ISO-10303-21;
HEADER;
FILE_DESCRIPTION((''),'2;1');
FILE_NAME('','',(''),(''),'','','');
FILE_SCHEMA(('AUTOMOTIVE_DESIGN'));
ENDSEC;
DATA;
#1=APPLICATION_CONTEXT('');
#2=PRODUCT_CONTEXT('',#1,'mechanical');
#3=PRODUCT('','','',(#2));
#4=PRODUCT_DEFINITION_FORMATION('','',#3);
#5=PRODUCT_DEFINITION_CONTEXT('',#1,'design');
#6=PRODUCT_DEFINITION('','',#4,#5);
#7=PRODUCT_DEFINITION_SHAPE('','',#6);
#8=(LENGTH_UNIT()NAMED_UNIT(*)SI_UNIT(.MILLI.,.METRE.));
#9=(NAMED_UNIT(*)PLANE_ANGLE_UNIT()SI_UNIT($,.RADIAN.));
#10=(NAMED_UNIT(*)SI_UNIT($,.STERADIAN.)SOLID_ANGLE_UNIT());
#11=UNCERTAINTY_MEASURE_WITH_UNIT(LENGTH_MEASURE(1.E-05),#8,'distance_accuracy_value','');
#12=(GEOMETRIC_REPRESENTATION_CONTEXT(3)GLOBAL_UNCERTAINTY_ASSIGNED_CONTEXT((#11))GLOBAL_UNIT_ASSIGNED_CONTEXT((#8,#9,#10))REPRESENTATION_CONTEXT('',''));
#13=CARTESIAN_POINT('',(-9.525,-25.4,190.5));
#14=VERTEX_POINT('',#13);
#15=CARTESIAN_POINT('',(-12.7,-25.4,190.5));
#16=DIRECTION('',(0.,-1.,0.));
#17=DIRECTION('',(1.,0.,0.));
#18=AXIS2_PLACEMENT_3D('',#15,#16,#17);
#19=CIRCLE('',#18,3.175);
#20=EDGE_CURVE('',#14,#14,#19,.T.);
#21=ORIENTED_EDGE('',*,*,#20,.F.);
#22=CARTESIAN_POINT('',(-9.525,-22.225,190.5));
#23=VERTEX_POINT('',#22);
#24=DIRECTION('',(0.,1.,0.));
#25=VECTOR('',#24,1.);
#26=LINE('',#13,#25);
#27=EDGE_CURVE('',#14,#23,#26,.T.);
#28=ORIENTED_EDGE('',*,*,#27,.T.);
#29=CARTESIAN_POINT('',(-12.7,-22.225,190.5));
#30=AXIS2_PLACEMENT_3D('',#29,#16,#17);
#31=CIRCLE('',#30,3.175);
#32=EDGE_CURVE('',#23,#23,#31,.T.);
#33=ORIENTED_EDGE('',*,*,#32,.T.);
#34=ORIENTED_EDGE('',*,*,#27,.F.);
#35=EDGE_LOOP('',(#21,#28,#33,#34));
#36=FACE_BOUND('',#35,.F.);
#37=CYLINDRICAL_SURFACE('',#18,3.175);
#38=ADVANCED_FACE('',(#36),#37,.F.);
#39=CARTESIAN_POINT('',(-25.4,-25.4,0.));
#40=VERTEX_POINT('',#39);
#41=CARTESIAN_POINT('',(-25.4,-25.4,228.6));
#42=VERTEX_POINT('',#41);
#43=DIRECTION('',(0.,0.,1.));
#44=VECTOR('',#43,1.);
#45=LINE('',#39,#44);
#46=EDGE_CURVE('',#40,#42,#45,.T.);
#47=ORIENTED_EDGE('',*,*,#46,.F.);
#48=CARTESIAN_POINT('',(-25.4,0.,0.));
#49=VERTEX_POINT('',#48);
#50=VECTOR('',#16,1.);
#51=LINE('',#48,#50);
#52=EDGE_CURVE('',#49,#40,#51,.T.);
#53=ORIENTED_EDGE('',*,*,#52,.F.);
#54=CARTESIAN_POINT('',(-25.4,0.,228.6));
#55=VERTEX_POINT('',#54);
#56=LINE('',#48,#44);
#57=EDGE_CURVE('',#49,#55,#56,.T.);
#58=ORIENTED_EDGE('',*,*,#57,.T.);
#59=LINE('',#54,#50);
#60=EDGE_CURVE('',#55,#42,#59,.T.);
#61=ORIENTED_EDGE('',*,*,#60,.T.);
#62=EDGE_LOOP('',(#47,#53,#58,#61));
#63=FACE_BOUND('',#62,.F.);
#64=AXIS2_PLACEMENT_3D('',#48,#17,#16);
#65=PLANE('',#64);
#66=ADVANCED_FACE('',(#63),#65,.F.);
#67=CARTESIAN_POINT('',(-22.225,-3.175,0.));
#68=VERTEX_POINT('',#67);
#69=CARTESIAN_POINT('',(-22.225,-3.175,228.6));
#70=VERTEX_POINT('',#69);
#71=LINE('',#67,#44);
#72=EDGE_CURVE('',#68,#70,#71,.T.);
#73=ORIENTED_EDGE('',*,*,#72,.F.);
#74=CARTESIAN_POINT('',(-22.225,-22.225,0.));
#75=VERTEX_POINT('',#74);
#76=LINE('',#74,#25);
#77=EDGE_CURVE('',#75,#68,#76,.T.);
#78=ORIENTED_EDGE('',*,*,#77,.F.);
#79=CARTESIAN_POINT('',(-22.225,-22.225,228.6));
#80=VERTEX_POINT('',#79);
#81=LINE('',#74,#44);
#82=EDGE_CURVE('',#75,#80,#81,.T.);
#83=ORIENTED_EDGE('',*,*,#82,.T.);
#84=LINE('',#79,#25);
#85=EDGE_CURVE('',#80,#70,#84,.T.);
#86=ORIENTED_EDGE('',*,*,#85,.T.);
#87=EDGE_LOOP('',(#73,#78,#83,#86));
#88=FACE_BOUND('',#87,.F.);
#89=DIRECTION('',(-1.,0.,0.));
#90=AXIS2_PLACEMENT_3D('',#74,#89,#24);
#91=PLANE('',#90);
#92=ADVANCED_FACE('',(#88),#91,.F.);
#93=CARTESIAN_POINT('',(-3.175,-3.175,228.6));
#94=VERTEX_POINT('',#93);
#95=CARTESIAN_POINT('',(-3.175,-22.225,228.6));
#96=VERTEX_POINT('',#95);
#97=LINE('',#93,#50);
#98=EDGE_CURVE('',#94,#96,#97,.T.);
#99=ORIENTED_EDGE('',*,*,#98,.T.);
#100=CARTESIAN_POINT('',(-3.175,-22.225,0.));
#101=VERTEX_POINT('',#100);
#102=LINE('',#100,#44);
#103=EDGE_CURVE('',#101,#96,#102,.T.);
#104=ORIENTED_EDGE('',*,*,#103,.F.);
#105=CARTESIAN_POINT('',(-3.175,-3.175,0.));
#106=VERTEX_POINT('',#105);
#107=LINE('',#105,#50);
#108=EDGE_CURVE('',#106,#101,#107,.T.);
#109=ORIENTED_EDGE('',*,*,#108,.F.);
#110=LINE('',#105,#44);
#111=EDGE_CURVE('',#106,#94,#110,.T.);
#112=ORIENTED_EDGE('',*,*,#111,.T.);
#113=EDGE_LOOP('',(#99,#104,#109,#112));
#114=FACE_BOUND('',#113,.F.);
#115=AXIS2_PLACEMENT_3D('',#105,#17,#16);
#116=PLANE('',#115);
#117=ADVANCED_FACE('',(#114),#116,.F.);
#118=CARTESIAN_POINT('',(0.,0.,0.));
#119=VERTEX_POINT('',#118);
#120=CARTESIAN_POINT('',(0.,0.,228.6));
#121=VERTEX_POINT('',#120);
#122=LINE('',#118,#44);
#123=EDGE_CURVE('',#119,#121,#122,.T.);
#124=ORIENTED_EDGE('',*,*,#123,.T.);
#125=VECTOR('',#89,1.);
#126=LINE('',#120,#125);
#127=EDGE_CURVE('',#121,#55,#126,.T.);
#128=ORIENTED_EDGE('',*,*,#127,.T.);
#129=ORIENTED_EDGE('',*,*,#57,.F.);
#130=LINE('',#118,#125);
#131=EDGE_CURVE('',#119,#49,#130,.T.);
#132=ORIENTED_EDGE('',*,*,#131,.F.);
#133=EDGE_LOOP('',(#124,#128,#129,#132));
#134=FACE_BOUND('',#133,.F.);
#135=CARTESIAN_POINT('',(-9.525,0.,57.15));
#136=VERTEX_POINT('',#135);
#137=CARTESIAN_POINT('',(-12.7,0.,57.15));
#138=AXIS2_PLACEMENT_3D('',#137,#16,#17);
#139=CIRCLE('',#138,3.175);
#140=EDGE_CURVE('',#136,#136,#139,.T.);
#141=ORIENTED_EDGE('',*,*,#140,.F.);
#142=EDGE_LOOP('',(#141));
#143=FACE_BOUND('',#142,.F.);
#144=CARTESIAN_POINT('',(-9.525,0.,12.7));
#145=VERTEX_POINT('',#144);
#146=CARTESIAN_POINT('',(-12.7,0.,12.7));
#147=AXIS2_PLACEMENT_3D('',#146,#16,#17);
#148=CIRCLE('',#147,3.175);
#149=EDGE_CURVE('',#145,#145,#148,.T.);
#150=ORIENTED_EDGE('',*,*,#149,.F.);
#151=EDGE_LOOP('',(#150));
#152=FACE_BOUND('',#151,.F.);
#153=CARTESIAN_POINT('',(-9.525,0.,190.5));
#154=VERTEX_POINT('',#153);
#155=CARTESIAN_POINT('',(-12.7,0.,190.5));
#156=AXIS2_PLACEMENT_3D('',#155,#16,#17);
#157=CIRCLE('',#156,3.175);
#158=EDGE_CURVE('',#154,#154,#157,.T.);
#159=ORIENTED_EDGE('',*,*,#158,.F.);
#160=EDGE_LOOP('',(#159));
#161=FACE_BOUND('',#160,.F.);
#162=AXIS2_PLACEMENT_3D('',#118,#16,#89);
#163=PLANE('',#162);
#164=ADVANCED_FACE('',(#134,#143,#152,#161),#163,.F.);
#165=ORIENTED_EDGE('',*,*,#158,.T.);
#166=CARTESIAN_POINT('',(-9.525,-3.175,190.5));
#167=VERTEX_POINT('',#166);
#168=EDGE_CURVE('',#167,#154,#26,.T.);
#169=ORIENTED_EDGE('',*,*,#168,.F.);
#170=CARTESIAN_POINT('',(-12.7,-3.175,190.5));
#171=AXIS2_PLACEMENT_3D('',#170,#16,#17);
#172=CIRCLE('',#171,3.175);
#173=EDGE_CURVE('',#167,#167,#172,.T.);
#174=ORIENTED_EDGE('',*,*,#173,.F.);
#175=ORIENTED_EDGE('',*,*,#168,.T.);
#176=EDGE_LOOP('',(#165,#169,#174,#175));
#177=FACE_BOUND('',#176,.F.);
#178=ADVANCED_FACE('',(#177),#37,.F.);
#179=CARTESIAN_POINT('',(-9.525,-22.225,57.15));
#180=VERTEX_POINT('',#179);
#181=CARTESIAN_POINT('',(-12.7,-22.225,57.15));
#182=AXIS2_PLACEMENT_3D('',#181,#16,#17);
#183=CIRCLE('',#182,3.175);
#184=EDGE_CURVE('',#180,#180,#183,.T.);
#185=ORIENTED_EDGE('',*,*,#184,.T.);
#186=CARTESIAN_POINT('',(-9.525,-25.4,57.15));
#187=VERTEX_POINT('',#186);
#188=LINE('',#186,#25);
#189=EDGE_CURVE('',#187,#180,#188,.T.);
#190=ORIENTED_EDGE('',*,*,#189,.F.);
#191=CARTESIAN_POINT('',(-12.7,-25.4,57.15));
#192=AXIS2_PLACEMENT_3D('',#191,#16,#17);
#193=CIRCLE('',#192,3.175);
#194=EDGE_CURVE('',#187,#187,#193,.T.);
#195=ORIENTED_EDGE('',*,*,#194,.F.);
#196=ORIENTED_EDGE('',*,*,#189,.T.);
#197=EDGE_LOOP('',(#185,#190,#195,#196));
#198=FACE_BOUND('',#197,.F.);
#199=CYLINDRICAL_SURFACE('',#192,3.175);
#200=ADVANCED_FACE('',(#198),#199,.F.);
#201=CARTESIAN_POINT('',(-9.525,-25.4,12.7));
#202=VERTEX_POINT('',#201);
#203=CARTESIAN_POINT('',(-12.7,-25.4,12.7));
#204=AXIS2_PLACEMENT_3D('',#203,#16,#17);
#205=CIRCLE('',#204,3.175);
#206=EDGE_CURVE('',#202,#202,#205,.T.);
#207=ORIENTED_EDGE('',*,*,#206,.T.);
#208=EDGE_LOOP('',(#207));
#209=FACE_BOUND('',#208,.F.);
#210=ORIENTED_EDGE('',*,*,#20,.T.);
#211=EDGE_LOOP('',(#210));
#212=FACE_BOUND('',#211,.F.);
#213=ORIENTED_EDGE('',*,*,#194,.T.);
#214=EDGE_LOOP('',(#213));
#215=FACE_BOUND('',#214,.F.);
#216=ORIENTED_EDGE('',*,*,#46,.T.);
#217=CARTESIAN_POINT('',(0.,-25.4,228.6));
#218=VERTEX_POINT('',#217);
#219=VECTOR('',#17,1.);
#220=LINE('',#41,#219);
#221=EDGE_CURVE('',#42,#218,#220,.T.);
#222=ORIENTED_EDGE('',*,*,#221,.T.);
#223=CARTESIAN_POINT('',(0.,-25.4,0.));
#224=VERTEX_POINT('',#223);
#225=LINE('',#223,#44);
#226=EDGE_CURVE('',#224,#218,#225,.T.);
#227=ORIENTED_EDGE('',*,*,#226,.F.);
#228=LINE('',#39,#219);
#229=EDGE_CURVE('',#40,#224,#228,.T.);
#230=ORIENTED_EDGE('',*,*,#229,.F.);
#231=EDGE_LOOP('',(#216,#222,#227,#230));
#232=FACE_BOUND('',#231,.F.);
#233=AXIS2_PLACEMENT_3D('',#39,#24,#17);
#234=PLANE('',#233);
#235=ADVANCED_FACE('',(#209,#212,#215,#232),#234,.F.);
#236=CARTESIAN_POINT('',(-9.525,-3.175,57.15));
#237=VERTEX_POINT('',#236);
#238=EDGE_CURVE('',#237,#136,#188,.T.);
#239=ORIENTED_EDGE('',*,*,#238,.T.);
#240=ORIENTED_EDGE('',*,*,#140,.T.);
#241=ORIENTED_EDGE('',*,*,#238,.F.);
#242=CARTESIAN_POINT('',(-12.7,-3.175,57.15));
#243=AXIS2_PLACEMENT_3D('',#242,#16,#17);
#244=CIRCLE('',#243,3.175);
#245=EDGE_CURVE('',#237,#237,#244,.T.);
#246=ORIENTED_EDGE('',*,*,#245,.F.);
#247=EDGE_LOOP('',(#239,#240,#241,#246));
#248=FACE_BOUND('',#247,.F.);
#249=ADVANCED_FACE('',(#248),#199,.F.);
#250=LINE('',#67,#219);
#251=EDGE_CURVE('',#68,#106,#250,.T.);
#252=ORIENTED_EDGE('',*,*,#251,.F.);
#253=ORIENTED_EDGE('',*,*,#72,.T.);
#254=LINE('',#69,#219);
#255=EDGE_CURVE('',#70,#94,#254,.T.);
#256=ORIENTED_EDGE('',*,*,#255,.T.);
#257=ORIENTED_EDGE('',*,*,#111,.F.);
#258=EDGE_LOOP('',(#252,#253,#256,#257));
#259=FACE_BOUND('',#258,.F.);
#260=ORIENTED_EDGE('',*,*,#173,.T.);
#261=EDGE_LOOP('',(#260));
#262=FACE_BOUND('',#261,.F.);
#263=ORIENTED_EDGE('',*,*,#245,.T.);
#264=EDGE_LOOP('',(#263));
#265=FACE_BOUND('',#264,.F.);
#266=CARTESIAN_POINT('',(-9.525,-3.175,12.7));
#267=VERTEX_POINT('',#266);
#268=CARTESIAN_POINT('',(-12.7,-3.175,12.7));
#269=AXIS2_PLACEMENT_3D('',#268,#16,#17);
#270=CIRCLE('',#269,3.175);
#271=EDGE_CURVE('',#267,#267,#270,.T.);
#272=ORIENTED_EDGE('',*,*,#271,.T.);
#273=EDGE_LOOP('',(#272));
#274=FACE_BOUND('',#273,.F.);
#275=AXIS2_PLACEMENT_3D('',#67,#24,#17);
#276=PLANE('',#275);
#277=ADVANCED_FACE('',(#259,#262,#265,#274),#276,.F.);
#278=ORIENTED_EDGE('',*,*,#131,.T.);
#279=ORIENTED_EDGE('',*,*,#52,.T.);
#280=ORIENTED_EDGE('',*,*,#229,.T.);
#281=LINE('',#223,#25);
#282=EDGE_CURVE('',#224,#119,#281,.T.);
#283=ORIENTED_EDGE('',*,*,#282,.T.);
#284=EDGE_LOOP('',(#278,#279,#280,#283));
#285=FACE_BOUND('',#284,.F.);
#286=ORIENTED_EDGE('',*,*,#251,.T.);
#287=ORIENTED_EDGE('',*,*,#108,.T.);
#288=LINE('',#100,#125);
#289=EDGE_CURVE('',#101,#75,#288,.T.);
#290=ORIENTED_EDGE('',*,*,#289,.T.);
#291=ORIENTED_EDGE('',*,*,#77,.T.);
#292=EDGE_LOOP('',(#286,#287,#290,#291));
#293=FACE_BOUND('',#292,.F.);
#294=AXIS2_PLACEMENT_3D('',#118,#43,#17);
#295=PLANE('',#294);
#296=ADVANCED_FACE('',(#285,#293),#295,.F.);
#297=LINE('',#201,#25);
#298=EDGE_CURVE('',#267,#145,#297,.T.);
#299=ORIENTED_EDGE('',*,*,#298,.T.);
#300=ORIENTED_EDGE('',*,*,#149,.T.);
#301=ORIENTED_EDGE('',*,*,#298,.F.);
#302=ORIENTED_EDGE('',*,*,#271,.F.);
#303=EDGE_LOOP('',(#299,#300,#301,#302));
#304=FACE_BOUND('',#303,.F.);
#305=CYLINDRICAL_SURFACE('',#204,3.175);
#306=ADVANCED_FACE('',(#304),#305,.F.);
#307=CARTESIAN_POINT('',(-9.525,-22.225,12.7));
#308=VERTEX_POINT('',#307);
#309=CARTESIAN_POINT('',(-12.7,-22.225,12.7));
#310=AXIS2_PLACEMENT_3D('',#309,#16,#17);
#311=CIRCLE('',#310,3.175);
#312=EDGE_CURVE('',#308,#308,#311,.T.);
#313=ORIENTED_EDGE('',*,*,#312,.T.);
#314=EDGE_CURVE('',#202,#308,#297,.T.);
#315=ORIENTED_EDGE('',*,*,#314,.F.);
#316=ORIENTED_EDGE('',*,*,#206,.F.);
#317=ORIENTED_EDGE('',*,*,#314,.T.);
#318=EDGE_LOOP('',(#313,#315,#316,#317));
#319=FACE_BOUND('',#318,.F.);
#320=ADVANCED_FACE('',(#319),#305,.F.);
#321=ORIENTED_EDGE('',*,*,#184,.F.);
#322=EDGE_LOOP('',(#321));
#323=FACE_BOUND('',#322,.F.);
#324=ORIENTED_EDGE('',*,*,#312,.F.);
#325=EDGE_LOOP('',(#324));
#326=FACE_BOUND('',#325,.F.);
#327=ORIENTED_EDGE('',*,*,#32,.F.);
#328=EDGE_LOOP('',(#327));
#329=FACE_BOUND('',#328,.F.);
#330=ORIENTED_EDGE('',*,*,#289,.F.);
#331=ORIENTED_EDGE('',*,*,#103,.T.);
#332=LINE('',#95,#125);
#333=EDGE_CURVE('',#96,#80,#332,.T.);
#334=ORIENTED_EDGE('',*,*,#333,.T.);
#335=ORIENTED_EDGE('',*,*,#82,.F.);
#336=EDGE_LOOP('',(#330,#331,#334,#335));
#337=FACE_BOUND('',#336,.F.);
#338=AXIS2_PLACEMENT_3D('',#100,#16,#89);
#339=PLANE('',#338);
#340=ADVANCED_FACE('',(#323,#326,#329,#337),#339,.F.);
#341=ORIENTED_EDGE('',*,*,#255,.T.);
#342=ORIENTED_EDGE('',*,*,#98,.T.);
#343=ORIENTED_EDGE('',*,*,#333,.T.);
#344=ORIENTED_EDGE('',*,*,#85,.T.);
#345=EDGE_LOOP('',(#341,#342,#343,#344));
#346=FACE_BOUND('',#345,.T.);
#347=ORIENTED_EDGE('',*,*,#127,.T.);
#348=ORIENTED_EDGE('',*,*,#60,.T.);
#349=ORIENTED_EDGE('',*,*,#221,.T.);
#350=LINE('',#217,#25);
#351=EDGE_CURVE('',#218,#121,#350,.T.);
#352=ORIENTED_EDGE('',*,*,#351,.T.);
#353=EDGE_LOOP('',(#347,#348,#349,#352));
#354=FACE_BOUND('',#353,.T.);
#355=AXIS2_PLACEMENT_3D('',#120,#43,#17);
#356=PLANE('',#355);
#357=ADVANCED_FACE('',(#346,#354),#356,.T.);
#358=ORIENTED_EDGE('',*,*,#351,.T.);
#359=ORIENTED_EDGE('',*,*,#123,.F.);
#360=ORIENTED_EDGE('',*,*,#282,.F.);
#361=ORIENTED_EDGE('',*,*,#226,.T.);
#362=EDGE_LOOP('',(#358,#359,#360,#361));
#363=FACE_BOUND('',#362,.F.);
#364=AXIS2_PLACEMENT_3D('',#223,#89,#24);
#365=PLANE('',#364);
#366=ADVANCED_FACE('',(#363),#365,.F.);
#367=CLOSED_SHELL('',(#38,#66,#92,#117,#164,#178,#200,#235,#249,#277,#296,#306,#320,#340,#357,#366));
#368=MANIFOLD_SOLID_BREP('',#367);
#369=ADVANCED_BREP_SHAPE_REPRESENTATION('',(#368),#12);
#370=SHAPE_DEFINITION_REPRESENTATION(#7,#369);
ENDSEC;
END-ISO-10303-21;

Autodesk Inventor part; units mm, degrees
ref_plane "YZ Plane" through (0, 0, 0) normal (1, 0, 0) x (0, 1, 0)
ref_plane "XZ Plane" through (0, 0, 0) normal (0, 1, 0) x (-1, 0, 0)
ref_plane "XY Plane" through (0, 0, 0) normal (0, 0, 1) x (1, 0, 0)
sketch "Sketch1" plane through (0, 0, 0) normal (0, 0, 1) x (1, 0, 0)
  line L0 (0, 0) -> (-25.4, 0)
  line L1 (-25.4, 0) -> (-25.4, -25.4)
  line L2 (-25.4, -25.4) -> (0, -25.4)
  line L3 (0, -25.4) -> (0, 0)
  line L4 (-3.175, -22.225) -> (-22.225, -22.225)
  line L5 (-22.225, -22.225) -> (-22.225, -3.175)
  line L6 (-22.225, -3.175) -> (-3.175, -3.175)
  line L7 (-3.175, -3.175) -> (-3.175, -22.225)
  dimension "d0" = 25.4
  dimension "d1" = 25.4
  dimension "d2" = 3.175
extrude "Extrusion1" add sketch "Sketch1" along normal blind 228.6
sketch "Sketch2" plane through (-25.4, -25.4, 0) normal (0, -1, 0) x (1, 0, 0)
  circle A0 centre (12.7, 190.5) radius 3.175
  line L0 (0, 228.6) -> (25.4, 228.6) projected
  line L1 (0, 0) -> (0, 228.6) projected
  circle A1 centre (12.7, 12.7) radius 3.175
  circle A2 centre (12.7, 57.15) radius 3.175
  line L2 (0, 0) -> (25.4, 0) projected
  dimension "d5" = 6.35
  dimension "d6" = 38.1
  dimension "d7" = 12.7
  dimension "d10" = 6.35
  dimension "d11" = 12.7
  dimension "d12" = 44.45
  dimension "d13" = 12.7
  dimension "d14" = 12.7
extrude "Extrusion2" cut sketch "Sketch2" against normal blind 152.4
properties part number "15102898-16-A-0205" material "Aluminum 6061"
